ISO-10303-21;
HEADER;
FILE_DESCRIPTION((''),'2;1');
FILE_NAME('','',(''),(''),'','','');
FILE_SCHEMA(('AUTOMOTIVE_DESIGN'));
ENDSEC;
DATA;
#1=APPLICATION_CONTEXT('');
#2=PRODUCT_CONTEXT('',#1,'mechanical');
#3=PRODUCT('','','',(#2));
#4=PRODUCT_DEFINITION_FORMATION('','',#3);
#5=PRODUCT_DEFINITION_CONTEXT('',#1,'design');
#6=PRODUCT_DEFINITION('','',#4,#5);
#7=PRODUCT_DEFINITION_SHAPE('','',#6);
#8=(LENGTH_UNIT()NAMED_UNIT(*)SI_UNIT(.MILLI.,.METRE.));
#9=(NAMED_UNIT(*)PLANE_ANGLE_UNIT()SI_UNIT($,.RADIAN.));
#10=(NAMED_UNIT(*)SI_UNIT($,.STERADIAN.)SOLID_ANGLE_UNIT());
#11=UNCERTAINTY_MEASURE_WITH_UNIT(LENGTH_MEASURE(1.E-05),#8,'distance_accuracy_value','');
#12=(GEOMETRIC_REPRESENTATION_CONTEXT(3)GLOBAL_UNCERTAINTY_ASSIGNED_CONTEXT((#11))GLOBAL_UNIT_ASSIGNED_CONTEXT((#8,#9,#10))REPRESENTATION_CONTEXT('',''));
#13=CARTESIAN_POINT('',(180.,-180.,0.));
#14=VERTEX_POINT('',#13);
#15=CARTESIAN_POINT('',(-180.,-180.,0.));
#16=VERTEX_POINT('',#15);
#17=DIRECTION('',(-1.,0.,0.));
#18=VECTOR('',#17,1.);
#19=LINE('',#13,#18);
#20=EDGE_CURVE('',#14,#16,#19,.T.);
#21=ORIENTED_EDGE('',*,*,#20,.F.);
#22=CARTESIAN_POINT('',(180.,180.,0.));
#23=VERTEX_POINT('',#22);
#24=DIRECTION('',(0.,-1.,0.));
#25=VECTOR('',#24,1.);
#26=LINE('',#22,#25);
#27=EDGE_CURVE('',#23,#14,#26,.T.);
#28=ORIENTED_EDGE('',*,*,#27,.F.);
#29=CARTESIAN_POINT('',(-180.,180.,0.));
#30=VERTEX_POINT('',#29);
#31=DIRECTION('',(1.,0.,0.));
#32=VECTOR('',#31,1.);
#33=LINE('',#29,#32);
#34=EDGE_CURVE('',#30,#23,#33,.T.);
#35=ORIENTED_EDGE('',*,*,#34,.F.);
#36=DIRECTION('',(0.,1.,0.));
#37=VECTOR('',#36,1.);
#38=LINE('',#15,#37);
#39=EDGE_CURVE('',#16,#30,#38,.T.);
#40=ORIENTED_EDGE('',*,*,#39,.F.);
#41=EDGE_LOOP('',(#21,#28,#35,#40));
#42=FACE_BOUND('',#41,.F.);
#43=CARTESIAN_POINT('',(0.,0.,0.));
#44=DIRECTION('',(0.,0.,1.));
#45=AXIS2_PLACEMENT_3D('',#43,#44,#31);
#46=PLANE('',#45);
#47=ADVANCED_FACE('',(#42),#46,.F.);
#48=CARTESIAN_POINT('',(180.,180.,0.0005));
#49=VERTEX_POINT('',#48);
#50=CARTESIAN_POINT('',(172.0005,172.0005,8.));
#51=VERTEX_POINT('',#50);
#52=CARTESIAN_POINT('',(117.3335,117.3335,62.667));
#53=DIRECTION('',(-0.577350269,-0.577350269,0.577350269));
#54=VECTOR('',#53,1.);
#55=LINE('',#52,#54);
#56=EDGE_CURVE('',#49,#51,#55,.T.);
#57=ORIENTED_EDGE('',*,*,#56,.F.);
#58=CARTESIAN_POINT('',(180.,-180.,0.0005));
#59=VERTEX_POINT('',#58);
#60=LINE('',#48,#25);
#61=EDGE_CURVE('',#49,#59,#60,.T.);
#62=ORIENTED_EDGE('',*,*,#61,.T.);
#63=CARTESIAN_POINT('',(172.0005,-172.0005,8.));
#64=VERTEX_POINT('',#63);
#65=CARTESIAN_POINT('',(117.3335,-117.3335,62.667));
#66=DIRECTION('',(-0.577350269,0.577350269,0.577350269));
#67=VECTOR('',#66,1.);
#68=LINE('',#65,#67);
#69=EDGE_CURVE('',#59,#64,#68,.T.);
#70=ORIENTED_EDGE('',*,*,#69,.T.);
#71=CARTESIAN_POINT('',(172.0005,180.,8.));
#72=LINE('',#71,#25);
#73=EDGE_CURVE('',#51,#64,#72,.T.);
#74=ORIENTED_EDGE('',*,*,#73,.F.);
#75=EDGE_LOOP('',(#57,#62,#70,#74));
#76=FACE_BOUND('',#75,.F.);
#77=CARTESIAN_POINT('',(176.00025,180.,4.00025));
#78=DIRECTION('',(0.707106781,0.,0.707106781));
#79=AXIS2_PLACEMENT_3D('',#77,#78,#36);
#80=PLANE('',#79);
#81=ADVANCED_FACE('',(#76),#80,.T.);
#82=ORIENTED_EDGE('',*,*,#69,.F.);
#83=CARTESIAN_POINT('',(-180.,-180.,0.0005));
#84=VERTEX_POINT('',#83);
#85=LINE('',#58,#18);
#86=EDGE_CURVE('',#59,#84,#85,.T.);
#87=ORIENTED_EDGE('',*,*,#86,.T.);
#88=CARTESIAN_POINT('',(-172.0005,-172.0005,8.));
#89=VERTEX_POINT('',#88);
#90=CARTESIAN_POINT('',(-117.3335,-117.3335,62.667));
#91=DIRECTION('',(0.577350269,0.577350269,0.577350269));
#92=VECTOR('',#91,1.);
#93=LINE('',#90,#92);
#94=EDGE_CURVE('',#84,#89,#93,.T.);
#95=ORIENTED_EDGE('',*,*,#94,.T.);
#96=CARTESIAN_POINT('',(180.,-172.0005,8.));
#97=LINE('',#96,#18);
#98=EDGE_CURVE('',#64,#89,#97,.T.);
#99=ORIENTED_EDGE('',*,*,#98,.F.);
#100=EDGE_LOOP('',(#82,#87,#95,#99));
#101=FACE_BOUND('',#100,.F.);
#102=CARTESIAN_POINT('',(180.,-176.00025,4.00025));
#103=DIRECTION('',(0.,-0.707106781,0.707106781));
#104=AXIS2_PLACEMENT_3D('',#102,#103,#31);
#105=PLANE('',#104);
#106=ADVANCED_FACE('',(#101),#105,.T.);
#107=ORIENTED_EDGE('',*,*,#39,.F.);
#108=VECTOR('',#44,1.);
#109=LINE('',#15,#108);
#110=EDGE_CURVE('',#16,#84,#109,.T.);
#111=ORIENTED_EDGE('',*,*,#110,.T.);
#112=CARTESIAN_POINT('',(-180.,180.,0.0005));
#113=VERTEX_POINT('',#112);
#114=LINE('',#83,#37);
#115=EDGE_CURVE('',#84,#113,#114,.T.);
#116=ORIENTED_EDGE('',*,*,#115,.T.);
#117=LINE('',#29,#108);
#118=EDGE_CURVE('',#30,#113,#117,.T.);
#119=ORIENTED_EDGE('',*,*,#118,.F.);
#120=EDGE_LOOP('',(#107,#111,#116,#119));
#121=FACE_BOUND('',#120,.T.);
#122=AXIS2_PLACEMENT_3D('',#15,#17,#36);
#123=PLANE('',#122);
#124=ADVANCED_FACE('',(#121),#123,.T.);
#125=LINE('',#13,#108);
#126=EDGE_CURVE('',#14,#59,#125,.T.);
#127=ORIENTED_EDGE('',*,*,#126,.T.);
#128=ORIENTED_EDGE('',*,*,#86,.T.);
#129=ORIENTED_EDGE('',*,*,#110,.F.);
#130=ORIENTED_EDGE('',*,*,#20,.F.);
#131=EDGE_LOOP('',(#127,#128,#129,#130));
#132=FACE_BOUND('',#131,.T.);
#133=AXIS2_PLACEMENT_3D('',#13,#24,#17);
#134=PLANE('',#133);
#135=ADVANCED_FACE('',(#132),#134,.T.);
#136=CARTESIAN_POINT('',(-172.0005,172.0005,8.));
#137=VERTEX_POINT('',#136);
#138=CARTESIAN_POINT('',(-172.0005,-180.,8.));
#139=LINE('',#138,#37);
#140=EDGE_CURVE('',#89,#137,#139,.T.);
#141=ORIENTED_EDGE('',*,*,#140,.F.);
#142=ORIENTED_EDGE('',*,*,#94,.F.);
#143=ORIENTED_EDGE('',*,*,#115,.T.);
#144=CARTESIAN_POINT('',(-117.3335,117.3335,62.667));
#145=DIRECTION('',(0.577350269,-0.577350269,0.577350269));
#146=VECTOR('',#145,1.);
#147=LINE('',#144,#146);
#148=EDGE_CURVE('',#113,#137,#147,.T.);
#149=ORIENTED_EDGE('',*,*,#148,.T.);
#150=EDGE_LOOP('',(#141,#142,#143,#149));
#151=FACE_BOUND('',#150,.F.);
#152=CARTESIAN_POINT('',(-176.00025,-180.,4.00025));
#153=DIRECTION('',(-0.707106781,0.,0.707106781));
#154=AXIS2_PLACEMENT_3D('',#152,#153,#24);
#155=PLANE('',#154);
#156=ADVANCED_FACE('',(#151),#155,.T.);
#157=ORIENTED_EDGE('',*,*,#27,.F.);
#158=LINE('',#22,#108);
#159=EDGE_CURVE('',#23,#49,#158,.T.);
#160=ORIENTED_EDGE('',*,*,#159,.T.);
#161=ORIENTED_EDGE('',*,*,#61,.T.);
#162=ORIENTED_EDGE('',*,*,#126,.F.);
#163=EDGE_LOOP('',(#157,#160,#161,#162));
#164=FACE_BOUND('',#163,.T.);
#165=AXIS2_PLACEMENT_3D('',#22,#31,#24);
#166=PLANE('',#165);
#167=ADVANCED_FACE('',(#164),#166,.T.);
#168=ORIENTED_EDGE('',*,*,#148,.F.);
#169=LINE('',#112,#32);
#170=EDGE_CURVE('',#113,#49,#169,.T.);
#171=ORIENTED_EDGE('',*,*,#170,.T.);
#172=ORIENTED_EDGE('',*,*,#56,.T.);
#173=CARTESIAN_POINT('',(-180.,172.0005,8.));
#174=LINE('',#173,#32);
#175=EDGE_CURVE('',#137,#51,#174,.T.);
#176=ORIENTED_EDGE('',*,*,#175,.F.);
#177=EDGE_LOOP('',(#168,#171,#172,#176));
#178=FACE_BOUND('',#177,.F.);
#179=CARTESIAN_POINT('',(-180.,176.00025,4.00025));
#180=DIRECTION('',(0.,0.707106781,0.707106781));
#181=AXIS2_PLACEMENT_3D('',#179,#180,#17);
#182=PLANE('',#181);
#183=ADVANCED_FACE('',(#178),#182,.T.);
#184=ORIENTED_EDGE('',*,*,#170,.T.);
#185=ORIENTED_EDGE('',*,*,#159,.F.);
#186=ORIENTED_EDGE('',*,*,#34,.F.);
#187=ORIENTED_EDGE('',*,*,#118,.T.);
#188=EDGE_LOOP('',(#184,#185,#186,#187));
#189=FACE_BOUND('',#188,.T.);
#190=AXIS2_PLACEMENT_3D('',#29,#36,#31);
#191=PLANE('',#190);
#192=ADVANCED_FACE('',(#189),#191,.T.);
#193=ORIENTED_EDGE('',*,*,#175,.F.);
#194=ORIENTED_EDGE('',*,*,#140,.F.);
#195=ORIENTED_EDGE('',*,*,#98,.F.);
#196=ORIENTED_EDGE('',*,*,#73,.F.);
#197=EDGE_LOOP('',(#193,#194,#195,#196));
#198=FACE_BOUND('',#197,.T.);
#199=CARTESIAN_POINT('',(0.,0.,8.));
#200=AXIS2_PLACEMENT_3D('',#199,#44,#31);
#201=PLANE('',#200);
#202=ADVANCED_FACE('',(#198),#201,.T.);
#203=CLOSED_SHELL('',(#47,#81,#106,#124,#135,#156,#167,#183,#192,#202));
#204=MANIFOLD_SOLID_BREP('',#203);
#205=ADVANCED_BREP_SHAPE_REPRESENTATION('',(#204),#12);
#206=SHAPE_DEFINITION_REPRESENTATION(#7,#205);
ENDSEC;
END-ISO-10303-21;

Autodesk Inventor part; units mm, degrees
ref_plane "YZ Plane" through (0, 0, 0) normal (1, 0, 0) x (0, 1, 0)
ref_plane "XZ Plane" through (0, 0, 0) normal (0, 1, 0) x (-1, 0, 0)
ref_plane "XY Plane" through (0, 0, 0) normal (0, 0, 1) x (1, 0, 0)
sketch "Sketch1" plane through (0, 0, 0) normal (0, 0, 1) x (1, 0, 0)
  line L0 (-180, 180) -> (180, 180)
  line L1 (180, 180) -> (180, -180)
  line L2 (180, -180) -> (-180, -180)
  line L3 (-180, -180) -> (-180, 180)
  point P0 (0, 0)
  dimension "d0" = 360
  dimension "d1" = 360
  dimension "d2" = 180
  dimension "d3" = 180
extrude "Extrusion1" add sketch "Sketch1" along normal blind 8
chamfer "Chamfer1" distance 8 angle 45 4 edges at (-180, 0, 8) (0, -180, 8) (180, 0, 8) (0, 180, 8)
equation "\"d0\" = edge_length"
equation "\"d1\" = edge_length"
equation "\"d2\" = 0.5 * edge_length"
equation "\"d3\" = 0.5 * edge_length"
equation "\"d4\" = wall_width"
equation "\"d6\" = wall_width"
equation "\"edge_length\" = 360"
equation "\"wall_width\" = 8"
properties part number "Element"
